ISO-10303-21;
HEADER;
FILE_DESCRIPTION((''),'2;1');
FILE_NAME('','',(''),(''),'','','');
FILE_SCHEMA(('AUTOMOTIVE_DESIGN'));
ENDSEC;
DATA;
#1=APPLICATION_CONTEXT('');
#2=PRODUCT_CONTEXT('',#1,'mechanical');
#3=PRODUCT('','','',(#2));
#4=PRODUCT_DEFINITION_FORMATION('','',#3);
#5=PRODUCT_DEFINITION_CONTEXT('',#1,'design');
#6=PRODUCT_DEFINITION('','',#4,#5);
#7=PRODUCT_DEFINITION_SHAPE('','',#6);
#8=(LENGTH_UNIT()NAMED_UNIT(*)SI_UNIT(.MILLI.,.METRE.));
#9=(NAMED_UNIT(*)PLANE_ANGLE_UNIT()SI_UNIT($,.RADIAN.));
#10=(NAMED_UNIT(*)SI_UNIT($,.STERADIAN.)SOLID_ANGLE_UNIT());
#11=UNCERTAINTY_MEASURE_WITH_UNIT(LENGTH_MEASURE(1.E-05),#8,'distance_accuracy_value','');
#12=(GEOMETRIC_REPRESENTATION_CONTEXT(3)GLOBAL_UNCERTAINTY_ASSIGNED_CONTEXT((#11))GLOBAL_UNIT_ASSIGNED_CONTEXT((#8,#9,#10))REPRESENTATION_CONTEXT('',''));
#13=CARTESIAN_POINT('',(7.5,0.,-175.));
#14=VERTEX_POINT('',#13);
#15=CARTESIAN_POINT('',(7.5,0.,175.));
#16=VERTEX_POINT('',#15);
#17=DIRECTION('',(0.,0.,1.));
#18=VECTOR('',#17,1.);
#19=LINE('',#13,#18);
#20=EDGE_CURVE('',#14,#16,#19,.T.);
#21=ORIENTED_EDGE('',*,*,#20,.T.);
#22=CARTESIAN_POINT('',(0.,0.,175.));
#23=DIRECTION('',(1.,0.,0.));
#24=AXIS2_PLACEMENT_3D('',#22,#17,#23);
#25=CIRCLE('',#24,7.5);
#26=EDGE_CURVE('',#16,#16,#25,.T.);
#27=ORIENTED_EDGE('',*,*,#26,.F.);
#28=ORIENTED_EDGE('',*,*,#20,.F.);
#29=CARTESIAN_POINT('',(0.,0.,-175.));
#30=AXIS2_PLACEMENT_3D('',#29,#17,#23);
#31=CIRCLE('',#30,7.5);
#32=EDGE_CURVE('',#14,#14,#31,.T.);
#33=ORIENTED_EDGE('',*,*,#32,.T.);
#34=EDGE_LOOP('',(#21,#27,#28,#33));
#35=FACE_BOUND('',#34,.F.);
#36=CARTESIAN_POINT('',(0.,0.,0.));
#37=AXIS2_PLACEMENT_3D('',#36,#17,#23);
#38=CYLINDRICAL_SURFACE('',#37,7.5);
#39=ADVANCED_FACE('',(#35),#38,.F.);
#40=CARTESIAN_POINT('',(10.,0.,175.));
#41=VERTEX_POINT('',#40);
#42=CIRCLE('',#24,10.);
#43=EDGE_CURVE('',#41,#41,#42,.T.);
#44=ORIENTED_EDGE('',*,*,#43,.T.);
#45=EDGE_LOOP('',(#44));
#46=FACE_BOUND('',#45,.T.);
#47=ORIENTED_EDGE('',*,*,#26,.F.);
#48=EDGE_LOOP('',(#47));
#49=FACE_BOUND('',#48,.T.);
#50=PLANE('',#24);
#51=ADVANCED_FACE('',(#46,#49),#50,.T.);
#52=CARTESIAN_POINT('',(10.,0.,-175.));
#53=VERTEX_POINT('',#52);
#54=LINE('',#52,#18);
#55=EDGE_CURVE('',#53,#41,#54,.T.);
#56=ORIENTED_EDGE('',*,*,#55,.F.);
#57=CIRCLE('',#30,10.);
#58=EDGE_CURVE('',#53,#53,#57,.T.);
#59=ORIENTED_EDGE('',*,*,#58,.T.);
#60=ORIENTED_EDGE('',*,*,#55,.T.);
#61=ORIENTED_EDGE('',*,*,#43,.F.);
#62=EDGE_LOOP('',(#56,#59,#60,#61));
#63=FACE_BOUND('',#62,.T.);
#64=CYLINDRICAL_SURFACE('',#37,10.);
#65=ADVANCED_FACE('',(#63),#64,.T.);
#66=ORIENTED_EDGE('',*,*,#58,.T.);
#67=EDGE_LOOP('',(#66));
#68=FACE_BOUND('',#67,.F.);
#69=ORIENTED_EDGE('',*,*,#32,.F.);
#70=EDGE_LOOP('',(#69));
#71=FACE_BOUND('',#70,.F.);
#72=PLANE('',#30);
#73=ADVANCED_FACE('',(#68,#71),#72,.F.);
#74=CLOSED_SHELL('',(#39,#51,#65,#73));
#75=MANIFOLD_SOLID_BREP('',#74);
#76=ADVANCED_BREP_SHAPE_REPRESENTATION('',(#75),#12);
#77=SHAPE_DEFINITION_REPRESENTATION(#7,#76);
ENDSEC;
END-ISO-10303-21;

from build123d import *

# Parameters (mm, degrees)
F0_R     = 10
F1_DEPTH = 175
F2_T     = -2.5


with BuildPart() as f1:
    # F0 (on Top) → F1 (new body, symmetric)
    with BuildSketch(Plane.XY):
        Circle(F0_R)
    extrude(amount=F1_DEPTH, both=True)

    # F2
    f2_openings = [f1.faces().sort_by_distance(p)[0] for p in [
        (0, 0, -175),
        (0, 0, 175),
    ]]
    offset(amount=F2_T, openings=f2_openings)


solid = f1.part
